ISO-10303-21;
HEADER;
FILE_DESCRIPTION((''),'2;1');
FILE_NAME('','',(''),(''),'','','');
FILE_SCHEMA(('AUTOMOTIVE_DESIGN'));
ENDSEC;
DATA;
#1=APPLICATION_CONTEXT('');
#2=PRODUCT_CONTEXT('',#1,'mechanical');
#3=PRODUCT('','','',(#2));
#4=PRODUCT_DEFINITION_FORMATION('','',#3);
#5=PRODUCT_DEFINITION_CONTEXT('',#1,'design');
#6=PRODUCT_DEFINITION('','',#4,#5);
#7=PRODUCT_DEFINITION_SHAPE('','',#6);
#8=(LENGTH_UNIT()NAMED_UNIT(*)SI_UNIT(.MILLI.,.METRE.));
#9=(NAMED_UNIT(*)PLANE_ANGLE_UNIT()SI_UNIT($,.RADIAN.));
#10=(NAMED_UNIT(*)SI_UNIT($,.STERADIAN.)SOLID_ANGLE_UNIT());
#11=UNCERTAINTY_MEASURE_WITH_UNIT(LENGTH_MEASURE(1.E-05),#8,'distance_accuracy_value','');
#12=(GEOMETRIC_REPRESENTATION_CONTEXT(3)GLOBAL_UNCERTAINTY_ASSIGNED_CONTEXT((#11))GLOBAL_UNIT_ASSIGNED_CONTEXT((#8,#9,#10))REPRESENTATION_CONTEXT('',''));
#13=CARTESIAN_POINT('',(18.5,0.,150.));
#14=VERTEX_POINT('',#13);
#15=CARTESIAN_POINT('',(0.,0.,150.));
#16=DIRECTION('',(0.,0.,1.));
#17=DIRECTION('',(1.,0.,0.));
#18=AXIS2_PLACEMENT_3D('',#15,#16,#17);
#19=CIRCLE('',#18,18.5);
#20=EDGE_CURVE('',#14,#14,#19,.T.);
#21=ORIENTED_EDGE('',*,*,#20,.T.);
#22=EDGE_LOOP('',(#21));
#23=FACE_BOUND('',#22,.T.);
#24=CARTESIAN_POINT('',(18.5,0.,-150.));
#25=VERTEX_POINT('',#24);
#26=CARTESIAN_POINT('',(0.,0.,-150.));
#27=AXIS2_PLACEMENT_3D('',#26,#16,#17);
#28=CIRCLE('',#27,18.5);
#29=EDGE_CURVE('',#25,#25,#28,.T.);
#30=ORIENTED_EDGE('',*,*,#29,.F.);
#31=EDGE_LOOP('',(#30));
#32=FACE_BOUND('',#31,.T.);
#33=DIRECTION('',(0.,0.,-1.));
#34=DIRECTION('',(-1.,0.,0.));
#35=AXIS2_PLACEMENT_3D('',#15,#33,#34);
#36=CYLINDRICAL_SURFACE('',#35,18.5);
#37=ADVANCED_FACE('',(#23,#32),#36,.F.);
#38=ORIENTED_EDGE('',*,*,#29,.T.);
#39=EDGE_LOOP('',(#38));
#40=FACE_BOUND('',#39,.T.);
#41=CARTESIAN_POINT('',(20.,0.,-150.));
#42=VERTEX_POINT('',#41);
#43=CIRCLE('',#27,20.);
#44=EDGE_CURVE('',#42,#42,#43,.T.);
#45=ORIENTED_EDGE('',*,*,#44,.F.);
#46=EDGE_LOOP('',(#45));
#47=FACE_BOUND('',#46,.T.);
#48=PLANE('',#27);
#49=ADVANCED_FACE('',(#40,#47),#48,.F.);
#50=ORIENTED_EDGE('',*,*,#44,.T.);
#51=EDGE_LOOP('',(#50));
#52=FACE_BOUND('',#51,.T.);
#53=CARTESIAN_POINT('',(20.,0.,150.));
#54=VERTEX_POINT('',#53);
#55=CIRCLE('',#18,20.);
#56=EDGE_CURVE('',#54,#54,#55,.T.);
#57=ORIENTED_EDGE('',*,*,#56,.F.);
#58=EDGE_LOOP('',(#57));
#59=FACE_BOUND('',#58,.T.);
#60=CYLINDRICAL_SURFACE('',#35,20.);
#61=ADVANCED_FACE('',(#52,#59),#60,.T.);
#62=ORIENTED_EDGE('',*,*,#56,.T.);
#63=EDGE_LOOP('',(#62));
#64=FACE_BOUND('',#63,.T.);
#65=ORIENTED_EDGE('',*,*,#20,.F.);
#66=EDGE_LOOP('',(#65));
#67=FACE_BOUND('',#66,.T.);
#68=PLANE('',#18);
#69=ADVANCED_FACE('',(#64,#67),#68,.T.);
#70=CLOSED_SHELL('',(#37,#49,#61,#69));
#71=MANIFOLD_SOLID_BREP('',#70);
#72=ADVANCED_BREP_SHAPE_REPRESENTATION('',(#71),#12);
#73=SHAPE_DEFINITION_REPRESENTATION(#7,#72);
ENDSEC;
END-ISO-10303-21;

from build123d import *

# Parameters (mm, degrees)
SKETCH1_R           = 20
SKETCH1_R_2         = 18.5
BOSS_EXTRUDE1_DEPTH = 150


with BuildPart() as part:
    # Sketch1 → Boss-Extrude1 (new, symmetric)
    with BuildSketch(Plane.XY):
        Circle(SKETCH1_R)
        Circle(SKETCH1_R_2, mode=Mode.SUBTRACT)
    extrude(amount=BOSS_EXTRUDE1_DEPTH, both=True)


solid = part.part
